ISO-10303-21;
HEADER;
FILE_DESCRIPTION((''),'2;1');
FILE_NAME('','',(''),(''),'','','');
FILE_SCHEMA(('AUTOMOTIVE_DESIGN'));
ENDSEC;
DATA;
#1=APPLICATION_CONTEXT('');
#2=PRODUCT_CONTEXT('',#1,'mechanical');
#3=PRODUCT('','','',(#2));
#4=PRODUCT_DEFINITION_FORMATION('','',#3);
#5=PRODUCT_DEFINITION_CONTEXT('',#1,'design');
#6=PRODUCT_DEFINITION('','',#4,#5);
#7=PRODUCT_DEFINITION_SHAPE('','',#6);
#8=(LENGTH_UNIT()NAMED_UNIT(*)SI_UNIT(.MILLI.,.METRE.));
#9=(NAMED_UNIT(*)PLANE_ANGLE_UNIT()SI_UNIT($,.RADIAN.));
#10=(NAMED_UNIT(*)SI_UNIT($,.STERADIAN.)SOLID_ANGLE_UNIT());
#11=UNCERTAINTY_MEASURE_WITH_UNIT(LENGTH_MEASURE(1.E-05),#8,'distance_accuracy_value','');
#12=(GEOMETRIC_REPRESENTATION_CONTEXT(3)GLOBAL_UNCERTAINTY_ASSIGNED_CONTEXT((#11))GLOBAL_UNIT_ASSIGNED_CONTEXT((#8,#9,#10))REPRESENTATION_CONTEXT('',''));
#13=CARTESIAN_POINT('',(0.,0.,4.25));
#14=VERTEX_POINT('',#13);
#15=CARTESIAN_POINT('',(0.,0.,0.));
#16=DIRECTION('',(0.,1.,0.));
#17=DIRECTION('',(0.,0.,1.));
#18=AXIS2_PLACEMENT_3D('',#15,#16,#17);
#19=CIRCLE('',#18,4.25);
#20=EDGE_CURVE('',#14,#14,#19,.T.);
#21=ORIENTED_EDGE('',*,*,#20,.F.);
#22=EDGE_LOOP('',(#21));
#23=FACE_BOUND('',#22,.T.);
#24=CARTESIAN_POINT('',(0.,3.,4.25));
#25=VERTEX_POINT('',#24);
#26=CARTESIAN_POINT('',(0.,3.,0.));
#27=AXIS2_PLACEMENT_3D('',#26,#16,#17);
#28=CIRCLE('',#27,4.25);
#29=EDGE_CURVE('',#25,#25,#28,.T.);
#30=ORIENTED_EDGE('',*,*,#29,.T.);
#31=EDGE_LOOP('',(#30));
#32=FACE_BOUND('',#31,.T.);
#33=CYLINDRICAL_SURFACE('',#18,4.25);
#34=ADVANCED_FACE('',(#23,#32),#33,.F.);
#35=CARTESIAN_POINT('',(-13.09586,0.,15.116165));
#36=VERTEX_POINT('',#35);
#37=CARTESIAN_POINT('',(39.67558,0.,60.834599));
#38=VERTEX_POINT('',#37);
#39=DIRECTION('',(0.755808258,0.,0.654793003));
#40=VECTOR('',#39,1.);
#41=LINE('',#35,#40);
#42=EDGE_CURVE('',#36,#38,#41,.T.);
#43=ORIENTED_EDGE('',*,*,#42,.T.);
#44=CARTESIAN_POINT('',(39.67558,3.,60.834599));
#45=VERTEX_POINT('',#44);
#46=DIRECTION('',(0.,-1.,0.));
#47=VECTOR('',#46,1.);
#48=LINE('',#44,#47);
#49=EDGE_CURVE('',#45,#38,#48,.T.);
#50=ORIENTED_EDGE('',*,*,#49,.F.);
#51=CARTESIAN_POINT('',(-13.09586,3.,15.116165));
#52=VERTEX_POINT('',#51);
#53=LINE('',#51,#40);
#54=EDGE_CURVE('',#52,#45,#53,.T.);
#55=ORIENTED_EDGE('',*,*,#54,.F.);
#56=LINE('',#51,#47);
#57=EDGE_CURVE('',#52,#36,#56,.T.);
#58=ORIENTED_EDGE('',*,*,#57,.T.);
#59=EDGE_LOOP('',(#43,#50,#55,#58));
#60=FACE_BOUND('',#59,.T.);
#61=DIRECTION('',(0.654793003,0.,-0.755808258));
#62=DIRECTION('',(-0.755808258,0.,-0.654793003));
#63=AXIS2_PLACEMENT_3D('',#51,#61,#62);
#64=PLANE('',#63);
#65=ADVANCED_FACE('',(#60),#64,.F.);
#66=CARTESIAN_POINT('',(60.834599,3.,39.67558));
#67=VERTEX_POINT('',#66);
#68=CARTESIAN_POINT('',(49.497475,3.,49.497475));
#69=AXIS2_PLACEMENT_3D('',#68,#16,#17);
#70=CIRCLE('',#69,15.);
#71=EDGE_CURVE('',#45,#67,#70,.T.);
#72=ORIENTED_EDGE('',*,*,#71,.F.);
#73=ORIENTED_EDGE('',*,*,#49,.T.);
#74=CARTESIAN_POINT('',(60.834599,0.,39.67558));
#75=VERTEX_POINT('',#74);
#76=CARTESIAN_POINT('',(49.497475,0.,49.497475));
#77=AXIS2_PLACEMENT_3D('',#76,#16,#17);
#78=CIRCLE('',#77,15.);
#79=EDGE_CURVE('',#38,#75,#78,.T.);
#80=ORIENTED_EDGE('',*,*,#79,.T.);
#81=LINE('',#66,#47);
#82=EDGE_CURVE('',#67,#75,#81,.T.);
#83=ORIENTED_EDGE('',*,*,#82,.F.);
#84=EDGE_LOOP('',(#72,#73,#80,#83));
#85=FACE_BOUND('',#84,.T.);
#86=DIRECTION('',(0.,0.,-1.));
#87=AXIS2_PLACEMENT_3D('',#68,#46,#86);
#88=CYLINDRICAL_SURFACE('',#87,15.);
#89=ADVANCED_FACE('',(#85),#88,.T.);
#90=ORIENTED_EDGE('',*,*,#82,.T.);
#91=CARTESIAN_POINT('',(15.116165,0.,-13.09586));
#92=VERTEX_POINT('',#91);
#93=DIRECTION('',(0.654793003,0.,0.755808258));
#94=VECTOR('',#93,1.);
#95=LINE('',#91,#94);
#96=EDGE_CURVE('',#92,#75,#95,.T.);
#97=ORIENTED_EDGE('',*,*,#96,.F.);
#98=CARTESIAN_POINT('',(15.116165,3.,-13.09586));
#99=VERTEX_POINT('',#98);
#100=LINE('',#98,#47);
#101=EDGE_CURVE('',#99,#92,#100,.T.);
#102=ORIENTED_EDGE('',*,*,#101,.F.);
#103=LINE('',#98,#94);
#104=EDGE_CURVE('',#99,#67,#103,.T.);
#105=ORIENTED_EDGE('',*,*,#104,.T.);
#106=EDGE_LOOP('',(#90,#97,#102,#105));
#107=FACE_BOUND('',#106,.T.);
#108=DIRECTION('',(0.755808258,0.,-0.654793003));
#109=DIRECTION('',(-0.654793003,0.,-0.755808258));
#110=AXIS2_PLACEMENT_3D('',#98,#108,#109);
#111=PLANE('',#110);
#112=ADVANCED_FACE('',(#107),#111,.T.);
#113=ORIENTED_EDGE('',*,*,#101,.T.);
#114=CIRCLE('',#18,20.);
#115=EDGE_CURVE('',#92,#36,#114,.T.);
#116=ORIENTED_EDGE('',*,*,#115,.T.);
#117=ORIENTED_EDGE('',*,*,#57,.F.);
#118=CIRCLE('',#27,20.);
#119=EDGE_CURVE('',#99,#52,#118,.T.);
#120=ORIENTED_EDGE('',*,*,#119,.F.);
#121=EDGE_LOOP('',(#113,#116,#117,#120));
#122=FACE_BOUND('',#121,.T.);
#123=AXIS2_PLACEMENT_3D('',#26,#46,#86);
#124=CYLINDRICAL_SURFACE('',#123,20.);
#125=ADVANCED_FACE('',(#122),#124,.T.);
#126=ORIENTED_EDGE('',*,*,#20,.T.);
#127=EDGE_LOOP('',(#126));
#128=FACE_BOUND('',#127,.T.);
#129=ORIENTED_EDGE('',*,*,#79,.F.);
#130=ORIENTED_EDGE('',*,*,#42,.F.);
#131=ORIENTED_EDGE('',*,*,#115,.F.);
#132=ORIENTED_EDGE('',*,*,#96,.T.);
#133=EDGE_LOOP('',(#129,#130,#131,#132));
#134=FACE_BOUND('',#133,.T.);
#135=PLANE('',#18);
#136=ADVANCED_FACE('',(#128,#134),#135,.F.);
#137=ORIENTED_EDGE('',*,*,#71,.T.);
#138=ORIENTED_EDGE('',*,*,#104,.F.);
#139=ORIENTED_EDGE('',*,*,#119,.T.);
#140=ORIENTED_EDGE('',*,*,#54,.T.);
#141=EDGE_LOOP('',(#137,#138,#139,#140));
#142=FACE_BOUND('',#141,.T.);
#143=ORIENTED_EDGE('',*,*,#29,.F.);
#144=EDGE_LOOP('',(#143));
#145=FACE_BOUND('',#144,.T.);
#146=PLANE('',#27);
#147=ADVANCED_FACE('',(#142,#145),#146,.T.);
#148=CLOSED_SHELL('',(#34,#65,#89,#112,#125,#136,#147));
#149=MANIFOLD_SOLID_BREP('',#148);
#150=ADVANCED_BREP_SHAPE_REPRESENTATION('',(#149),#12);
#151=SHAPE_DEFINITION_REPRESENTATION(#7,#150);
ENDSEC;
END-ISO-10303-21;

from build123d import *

# Parameters (mm, degrees)
SKETCH_1_R          = 20
SKETCH_1_R_2        = 15
EXTRUDE_1_DEPTH     = 3
SKETCH_2_R          = 2.5
CUT_EXTRUDE_1_DEPTH = 92.262525064
SKETCH_3_R          = 5
CUT_EXTRUDE_2_DEPTH = 10
SKETCH_4_R          = 5
SKETCH_4_R_2        = 4.25
EXTRUDE_2_DEPTH     = 3


with BuildPart() as part:
    # 草图1 → 凸台-拉伸1 (new body)
    with BuildSketch(Plane(origin=(0, 0, 0), x_dir=(1, 0, 0), z_dir=(0, 1, 0))):
        Circle(SKETCH_1_R)
        with BuildLine():
            ThreePointArc((20, 0), (8.309115435, -18.192267607), (-13.095860068, -15.116165158))
            Line((-13.095860068, -15.116165158), (39.675579632, -60.834598551))
            ThreePointArc((39.675579632, -60.834598551), (38.890872965, -38.890872965), (60.834598551, -39.675579632))
            Line((60.834598551, -39.675579632), (15.116165158, 13.095860068))
            ThreePointArc((15.116165158, 13.095860068), (18.73930766, 6.98844392), (20, 0))
        make_face()
        with Locations((49.497474683, -49.497474683)):
            Circle(SKETCH_1_R_2)
    extrude(amount=EXTRUDE_1_DEPTH)

    # 草图2 → 切除-拉伸1 (cut, through all)
    with BuildSketch(Plane(origin=(0, 3, 0), x_dir=(1, 0, 0), z_dir=(0, 1, 0))):
        with Locations(Location((0, 0, 0), (0, 0, 270))):
            Circle(SKETCH_2_R)
    extrude(amount=-CUT_EXTRUDE_1_DEPTH, mode=Mode.SUBTRACT)

    # 草图3 → 切除-拉伸2 (cut)
    with BuildSketch(Plane(origin=(0, 3, 0), x_dir=(1, 0, 0), z_dir=(0, 1, 0))):
        with Locations(Location((0, 0, 0), (0, 0, 270))):
            Circle(SKETCH_3_R)
    extrude(amount=-CUT_EXTRUDE_2_DEPTH, mode=Mode.SUBTRACT)

    # 草图4 → 凸台-拉伸2 (add)
    with BuildSketch(Plane(origin=(0, 3, 0), x_dir=(1, 0, 0), z_dir=(0, 1, 0))):
        Circle(SKETCH_4_R)
        with Locations(Location((0, 0, 0), (0, 0, 270))):
            Circle(SKETCH_4_R_2, mode=Mode.SUBTRACT)
    extrude(amount=-EXTRUDE_2_DEPTH)


solid = part.part
